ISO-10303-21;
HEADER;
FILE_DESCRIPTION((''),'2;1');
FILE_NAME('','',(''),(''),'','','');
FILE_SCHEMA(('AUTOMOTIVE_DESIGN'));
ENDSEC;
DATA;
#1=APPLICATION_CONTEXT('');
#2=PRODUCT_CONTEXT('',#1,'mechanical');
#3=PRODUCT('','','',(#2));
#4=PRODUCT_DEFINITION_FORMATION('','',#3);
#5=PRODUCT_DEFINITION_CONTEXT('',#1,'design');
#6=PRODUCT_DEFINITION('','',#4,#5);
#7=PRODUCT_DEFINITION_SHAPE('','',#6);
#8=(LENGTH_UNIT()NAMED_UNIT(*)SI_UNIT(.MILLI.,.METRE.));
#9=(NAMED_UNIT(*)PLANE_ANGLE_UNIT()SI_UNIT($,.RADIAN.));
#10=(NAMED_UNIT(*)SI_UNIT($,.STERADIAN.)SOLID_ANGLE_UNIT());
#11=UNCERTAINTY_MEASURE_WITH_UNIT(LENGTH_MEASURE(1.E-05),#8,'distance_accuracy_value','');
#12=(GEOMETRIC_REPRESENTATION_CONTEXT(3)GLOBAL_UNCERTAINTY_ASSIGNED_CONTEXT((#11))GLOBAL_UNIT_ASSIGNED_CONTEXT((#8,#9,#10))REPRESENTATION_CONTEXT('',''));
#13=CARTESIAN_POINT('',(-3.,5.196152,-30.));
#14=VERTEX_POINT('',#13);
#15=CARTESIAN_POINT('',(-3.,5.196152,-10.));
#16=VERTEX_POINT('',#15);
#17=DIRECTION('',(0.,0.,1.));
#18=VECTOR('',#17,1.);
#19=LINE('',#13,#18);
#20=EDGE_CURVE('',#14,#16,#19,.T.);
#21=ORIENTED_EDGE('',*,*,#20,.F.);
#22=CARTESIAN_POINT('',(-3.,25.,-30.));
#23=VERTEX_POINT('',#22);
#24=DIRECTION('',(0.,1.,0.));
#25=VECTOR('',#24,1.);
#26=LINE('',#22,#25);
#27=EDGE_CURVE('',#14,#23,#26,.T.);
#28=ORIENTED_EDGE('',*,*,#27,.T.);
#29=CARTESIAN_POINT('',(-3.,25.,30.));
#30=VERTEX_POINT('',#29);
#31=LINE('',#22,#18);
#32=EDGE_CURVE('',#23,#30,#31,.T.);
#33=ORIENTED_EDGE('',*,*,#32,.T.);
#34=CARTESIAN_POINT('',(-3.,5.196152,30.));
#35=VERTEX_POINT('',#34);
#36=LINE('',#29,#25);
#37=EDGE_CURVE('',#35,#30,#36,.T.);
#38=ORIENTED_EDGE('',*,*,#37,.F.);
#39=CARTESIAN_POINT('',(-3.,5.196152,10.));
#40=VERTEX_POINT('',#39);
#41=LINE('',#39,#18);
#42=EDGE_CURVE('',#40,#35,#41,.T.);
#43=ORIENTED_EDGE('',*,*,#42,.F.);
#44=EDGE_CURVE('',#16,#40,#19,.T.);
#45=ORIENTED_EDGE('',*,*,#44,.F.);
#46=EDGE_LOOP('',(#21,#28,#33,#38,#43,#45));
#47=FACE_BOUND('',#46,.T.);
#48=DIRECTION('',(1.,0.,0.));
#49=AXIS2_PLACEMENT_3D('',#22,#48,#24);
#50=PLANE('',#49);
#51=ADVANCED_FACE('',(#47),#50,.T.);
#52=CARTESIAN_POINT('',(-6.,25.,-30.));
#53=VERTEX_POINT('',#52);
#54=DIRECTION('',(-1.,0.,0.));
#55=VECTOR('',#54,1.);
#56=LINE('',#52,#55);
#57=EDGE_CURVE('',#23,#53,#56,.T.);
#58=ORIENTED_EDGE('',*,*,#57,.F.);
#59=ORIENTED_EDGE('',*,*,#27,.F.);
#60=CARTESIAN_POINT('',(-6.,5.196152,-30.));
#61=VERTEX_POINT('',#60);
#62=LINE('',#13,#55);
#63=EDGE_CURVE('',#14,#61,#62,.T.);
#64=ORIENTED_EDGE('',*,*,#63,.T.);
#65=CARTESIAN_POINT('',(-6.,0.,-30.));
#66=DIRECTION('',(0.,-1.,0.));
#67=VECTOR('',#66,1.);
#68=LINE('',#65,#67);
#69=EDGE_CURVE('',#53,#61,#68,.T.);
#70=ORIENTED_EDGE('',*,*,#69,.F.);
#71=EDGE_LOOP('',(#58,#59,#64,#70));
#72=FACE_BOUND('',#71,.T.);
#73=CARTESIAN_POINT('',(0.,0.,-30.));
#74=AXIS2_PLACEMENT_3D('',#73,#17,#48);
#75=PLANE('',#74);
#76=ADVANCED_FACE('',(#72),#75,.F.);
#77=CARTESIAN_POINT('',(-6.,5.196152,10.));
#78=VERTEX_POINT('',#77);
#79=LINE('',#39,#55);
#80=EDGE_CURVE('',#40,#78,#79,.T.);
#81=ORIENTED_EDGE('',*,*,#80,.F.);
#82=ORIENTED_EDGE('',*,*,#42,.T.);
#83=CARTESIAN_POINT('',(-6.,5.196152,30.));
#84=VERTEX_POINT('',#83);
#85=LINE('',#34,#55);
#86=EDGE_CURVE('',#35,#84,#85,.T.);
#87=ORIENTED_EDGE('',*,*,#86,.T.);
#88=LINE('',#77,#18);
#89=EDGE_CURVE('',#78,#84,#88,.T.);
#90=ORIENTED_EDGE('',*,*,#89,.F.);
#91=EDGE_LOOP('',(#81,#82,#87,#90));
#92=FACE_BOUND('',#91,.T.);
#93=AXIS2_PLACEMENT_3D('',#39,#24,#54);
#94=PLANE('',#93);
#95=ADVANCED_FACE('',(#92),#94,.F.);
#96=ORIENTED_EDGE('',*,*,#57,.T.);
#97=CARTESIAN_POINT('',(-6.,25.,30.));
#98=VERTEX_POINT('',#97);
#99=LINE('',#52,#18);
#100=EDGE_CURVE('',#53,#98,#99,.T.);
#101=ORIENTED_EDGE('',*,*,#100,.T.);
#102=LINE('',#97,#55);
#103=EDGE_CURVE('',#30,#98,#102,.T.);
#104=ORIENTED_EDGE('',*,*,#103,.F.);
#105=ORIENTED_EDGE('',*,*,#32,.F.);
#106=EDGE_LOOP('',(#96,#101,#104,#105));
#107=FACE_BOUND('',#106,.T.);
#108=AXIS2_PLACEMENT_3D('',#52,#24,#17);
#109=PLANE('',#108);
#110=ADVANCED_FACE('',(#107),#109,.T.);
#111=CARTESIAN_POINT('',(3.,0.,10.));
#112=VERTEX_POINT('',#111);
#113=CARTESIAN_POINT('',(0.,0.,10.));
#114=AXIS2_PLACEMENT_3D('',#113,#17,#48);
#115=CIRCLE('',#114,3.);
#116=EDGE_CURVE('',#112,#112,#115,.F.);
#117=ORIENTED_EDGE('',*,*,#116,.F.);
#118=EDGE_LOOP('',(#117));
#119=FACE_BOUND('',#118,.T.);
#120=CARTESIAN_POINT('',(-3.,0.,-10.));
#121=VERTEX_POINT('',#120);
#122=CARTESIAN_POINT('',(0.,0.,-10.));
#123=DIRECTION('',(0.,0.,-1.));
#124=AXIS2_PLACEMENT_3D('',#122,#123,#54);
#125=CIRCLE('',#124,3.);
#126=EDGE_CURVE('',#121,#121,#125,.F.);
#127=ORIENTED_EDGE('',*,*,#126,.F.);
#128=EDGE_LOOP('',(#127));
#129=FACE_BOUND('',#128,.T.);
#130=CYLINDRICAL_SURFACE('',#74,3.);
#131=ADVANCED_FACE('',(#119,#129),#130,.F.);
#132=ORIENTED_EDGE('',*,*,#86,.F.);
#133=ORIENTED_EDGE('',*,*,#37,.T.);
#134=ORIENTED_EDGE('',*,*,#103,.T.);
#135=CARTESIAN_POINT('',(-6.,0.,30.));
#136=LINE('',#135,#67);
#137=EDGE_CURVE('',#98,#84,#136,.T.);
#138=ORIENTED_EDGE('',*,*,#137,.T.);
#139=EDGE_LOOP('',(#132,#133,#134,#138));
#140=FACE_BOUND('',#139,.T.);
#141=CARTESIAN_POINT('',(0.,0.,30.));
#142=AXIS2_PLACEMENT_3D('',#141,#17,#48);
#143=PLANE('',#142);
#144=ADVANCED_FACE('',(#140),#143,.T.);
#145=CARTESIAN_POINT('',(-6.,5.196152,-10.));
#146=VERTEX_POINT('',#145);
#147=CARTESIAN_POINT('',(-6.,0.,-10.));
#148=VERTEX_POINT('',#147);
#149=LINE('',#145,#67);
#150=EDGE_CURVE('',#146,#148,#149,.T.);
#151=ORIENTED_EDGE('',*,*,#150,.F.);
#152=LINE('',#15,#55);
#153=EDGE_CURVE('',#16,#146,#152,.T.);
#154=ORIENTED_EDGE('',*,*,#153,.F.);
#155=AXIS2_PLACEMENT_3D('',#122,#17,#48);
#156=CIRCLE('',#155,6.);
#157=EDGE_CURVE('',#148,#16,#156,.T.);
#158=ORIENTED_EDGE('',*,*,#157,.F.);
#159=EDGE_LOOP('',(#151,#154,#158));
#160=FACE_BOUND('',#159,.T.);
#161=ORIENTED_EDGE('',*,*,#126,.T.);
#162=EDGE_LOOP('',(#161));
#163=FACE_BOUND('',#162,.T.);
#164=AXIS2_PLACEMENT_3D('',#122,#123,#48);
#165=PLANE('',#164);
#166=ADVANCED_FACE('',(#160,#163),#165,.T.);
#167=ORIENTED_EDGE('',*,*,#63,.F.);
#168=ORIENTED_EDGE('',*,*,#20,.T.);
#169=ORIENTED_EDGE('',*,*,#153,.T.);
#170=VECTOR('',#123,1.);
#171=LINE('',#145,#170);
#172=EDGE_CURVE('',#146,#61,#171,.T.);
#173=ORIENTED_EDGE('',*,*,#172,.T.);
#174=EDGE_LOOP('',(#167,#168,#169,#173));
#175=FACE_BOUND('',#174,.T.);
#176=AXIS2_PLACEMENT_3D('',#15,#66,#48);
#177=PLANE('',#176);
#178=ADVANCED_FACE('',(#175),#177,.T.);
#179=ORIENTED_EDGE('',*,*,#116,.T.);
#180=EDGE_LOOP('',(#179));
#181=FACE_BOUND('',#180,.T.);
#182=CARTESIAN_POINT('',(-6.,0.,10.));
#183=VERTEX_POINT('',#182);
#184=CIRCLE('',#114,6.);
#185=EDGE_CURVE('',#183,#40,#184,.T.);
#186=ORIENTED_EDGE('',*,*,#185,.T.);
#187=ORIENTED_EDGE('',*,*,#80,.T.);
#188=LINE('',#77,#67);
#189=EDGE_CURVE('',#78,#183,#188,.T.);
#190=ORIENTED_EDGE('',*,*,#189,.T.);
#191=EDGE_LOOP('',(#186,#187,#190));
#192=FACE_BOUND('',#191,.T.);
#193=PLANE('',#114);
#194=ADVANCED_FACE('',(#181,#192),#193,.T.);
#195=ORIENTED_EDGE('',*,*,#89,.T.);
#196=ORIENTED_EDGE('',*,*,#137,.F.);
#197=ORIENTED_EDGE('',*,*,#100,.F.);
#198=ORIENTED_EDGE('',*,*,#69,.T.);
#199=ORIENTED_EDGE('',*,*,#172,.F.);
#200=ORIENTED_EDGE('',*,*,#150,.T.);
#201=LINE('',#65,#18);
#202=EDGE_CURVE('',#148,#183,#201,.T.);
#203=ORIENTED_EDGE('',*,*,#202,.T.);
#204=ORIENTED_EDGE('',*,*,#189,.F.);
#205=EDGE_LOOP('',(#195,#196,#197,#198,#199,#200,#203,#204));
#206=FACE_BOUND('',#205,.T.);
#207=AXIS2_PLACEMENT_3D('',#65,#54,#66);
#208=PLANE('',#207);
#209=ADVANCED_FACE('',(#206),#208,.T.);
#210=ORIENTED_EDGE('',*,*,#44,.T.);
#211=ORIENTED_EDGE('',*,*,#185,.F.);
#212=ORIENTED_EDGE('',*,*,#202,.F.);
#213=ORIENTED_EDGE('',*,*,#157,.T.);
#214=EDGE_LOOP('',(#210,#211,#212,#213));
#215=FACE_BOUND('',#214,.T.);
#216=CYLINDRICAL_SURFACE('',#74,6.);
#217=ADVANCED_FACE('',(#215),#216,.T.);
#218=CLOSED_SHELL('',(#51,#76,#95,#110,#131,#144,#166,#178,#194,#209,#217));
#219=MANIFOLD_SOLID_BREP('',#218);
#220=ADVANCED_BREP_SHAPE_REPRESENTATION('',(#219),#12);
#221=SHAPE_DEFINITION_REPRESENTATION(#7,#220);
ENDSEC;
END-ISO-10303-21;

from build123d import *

# Parameters (mm, degrees)
BOSS_EXTRUDE1_DEPTH      = 30
BOSS_EXTRUDE1_DEPTH_BACK = 30
SKETCH1_R                = 3
CUT_EXTRUDE1_START       = -20
CUT_EXTRUDE1_DEPTH       = 20


with BuildPart() as part:
    # Sketch1 → Boss-Extrude1 (new, two sides: drawn at the far end of the back side and taken through both)
    with BuildSketch(Plane.XY.offset(-BOSS_EXTRUDE1_DEPTH_BACK)):
        with BuildLine():
            Line((-6, 0), (-6, 25))
            Line((-6, 25), (-3, 25))
            Line((-3, 25), (-3, 5.196152423))
            ThreePointArc((-3, 5.196152423), (5.196152423, -3), (-6, 0))
        make_face()
        Circle(SKETCH1_R, mode=Mode.SUBTRACT)
    extrude(amount=BOSS_EXTRUDE1_DEPTH + BOSS_EXTRUDE1_DEPTH_BACK)

    # Sketch2 → Cut-Extrude1 (cut)
    with BuildSketch(Plane.XY.offset(30).offset(CUT_EXTRUDE1_START)):
        with BuildLine():
            Line((-3, 5.196152423), (-6, 5.196152423))
            Line((-6, 5.196152423), (-6, 0))
            ThreePointArc((-6, 0), (5.196152423, -3), (-3, 5.196152423))
        make_face()
    cut_extrude1 = extrude(amount=CUT_EXTRUDE1_DEPTH, mode=Mode.SUBTRACT)

    # Mirror1: Cut-Extrude1 across plane
    add(cut_extrude1.mirror(Plane.XY), mode=Mode.SUBTRACT)


solid = part.part
